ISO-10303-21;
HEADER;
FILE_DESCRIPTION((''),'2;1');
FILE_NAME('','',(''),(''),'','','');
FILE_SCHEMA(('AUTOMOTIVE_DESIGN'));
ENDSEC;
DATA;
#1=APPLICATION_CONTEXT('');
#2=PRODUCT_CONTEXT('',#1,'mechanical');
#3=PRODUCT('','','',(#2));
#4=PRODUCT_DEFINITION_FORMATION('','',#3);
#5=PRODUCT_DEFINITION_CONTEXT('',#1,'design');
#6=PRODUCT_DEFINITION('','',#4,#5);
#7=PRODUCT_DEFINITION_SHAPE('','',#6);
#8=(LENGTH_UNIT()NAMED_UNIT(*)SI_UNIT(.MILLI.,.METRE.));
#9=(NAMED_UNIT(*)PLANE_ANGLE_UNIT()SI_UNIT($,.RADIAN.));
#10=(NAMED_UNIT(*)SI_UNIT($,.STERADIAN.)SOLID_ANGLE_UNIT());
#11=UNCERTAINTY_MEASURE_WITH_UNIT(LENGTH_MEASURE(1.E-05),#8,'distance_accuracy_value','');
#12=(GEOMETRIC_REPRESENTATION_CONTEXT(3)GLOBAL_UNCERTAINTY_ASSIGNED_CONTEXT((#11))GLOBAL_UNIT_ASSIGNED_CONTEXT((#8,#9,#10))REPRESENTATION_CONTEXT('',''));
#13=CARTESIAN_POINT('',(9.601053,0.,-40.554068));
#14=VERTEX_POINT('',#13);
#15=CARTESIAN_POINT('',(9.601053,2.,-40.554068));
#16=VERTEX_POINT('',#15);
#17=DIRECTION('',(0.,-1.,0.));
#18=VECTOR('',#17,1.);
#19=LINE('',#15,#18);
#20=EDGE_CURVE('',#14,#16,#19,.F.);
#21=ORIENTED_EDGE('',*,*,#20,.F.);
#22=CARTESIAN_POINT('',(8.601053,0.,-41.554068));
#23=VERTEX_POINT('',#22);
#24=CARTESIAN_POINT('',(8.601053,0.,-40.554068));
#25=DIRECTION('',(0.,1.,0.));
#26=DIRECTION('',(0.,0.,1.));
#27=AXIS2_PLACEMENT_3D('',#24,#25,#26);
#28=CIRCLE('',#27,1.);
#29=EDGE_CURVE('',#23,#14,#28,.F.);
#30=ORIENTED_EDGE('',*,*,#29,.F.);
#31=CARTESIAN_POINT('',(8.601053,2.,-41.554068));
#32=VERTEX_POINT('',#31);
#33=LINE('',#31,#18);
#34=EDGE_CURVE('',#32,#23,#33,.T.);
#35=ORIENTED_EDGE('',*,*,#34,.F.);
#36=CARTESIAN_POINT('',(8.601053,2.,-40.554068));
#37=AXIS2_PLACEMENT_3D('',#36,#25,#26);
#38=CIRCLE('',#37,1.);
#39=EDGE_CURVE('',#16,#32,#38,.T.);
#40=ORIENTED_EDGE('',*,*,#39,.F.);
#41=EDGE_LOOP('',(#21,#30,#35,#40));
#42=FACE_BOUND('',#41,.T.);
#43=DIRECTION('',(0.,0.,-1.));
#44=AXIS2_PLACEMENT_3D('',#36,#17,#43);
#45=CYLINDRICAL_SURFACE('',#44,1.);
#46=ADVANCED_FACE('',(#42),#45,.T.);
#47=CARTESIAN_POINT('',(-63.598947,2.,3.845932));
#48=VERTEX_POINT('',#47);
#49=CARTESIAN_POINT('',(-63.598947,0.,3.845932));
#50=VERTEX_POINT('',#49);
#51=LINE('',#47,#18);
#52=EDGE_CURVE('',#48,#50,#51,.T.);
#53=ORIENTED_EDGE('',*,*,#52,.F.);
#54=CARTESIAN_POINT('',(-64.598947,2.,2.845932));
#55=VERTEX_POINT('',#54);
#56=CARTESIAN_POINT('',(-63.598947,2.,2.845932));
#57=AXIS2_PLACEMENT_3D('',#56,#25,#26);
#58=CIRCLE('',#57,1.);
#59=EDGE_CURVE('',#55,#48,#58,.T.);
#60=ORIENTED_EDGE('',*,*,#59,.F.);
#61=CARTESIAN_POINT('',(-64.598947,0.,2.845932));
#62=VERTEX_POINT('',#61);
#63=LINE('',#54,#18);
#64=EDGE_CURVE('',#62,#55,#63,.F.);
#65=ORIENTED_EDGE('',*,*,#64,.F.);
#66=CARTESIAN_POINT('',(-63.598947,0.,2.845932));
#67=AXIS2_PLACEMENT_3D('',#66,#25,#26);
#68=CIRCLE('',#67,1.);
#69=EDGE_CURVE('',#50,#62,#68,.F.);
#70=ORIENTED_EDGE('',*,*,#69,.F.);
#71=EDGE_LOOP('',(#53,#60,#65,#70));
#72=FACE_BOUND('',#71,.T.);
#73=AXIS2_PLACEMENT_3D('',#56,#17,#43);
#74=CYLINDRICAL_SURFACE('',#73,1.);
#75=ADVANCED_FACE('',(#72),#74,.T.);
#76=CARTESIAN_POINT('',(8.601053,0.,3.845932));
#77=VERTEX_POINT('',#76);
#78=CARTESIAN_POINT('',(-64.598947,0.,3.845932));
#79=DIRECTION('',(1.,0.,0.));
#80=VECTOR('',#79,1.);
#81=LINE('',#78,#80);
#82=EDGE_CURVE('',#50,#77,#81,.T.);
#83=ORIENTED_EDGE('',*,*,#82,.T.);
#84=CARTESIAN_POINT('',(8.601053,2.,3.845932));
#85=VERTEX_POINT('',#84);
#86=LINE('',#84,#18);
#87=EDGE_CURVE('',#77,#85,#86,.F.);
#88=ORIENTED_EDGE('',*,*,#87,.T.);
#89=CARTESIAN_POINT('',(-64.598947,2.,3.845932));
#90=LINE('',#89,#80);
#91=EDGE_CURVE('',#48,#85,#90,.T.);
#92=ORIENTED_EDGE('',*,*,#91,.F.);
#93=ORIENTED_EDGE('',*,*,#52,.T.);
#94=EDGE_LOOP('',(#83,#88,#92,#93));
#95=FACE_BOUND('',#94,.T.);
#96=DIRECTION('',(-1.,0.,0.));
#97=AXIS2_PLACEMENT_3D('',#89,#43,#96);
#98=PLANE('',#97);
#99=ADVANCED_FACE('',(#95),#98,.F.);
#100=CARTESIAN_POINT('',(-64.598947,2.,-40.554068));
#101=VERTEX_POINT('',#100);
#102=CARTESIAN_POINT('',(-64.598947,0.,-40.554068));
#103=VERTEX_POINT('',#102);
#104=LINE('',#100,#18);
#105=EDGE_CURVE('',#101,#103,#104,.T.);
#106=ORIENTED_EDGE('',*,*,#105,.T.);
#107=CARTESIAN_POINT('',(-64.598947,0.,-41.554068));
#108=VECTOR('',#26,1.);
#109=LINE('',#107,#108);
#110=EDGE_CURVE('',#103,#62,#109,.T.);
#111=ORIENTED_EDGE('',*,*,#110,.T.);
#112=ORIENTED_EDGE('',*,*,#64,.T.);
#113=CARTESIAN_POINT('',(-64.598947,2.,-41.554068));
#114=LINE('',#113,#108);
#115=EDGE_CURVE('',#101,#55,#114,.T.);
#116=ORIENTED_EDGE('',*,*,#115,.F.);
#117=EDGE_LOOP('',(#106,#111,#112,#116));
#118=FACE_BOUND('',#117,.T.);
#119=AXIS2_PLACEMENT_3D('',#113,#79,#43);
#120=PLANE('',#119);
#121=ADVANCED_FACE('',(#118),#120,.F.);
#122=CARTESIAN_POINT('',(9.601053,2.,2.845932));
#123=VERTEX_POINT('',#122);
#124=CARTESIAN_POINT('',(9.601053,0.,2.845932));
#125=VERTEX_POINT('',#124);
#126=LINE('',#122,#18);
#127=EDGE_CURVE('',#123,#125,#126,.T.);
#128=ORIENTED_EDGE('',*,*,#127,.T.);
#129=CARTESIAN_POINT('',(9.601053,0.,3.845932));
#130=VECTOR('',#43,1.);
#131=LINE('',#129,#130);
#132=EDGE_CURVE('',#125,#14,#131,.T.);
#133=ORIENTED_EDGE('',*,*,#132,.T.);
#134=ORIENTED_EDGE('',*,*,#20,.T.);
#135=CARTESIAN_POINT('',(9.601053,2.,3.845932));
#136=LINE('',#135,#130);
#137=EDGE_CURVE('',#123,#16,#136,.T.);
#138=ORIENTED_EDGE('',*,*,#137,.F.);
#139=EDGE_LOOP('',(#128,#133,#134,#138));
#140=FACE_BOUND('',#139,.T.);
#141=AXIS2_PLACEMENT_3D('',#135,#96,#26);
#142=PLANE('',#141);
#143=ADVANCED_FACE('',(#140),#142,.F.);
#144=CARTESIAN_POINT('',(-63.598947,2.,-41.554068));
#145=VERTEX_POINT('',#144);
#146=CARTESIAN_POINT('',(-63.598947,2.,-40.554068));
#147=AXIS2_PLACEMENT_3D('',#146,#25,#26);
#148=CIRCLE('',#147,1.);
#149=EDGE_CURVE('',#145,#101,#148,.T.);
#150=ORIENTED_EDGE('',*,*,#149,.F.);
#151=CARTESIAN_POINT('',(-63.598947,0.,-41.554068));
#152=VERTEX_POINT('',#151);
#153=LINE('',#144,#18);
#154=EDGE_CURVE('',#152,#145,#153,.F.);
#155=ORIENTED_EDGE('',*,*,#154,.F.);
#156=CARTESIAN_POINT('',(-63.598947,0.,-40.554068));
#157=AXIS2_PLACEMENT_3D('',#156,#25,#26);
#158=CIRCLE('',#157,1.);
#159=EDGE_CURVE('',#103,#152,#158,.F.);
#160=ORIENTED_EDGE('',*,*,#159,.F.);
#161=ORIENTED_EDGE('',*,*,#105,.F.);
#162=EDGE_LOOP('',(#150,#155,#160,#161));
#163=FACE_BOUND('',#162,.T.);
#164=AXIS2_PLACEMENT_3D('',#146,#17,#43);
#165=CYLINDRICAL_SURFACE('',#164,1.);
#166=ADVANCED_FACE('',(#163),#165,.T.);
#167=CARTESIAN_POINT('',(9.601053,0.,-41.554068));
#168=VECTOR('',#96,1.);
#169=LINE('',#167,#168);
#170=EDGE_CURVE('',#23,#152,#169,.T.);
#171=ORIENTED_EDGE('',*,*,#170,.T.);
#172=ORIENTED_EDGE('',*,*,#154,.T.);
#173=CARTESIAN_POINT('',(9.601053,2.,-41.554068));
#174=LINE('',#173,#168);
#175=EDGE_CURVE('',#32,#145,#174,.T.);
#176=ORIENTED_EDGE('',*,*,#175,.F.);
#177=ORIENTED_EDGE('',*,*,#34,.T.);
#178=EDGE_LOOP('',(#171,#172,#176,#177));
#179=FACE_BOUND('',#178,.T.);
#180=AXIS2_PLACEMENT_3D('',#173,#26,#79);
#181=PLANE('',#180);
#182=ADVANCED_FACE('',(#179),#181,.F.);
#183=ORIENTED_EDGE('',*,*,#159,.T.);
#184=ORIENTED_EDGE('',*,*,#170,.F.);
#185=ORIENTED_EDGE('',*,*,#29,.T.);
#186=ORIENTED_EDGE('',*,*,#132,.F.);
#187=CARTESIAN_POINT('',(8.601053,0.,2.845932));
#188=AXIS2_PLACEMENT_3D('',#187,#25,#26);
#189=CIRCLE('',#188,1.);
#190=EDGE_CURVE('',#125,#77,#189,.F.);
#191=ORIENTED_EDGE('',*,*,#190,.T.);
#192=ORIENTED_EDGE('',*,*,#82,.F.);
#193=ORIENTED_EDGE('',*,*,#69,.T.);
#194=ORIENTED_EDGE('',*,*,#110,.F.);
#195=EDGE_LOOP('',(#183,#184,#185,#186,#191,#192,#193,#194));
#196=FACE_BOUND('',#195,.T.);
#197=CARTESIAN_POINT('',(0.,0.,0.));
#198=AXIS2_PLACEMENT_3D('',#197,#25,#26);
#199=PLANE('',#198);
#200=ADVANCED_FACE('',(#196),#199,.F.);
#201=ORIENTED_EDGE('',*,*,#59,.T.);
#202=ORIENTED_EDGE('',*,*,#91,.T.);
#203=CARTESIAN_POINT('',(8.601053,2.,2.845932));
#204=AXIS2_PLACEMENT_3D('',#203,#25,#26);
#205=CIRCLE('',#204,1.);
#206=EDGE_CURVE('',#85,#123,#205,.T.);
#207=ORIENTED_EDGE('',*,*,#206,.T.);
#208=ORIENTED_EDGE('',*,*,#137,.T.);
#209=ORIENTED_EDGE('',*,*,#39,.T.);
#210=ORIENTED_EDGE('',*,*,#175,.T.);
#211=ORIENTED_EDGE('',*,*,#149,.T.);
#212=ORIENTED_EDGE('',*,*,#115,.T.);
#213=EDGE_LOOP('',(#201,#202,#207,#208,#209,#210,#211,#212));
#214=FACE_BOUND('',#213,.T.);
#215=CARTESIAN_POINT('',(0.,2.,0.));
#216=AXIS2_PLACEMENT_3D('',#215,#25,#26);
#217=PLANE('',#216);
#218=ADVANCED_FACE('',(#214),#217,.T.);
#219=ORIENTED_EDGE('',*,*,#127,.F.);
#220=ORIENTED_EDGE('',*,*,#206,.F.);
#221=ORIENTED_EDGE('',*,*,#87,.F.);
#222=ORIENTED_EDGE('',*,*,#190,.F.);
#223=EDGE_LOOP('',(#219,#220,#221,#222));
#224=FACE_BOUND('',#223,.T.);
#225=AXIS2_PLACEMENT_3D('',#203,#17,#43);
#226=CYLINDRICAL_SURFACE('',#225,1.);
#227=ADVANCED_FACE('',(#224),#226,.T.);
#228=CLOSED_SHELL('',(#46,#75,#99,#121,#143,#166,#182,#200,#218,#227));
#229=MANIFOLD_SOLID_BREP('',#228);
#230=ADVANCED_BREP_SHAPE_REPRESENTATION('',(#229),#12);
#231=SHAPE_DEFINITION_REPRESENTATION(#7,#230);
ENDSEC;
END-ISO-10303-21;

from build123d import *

# Parameters (mm, degrees)
SZKIC1_W                    = 74.2
SZKIC1_H                    = 45.4
DODANIE_WYCI_GNI_CIE1_DEPTH = 2
ZAOKR_GLENIE1_R             = 1


with BuildPart() as part:
    # Szkic1 → Dodanie-wyciągnięcie1 (new body)
    with BuildSketch(Plane(origin=(0, 0, 0), x_dir=(1, 0, 0), z_dir=(0, 1, 0))):
        with Locations((-27.498947069, 18.854068499)):
            Rectangle(SZKIC1_W, SZKIC1_H)
    extrude(amount=DODANIE_WYCI_GNI_CIE1_DEPTH)

    # Zaokrąglenie1
    zaokr_glenie1_edges = [part.edges().sort_by_distance(p)[0] for p in [
        (-64.598947069, 1, -41.554068499),
        (9.601052931, 1, -41.554068499),
        (9.601052931, 1, 3.845931501),
        (-64.598947069, 1, 3.845931501),
    ]]
    fillet(zaokr_glenie1_edges, radius=ZAOKR_GLENIE1_R)


solid = part.part
